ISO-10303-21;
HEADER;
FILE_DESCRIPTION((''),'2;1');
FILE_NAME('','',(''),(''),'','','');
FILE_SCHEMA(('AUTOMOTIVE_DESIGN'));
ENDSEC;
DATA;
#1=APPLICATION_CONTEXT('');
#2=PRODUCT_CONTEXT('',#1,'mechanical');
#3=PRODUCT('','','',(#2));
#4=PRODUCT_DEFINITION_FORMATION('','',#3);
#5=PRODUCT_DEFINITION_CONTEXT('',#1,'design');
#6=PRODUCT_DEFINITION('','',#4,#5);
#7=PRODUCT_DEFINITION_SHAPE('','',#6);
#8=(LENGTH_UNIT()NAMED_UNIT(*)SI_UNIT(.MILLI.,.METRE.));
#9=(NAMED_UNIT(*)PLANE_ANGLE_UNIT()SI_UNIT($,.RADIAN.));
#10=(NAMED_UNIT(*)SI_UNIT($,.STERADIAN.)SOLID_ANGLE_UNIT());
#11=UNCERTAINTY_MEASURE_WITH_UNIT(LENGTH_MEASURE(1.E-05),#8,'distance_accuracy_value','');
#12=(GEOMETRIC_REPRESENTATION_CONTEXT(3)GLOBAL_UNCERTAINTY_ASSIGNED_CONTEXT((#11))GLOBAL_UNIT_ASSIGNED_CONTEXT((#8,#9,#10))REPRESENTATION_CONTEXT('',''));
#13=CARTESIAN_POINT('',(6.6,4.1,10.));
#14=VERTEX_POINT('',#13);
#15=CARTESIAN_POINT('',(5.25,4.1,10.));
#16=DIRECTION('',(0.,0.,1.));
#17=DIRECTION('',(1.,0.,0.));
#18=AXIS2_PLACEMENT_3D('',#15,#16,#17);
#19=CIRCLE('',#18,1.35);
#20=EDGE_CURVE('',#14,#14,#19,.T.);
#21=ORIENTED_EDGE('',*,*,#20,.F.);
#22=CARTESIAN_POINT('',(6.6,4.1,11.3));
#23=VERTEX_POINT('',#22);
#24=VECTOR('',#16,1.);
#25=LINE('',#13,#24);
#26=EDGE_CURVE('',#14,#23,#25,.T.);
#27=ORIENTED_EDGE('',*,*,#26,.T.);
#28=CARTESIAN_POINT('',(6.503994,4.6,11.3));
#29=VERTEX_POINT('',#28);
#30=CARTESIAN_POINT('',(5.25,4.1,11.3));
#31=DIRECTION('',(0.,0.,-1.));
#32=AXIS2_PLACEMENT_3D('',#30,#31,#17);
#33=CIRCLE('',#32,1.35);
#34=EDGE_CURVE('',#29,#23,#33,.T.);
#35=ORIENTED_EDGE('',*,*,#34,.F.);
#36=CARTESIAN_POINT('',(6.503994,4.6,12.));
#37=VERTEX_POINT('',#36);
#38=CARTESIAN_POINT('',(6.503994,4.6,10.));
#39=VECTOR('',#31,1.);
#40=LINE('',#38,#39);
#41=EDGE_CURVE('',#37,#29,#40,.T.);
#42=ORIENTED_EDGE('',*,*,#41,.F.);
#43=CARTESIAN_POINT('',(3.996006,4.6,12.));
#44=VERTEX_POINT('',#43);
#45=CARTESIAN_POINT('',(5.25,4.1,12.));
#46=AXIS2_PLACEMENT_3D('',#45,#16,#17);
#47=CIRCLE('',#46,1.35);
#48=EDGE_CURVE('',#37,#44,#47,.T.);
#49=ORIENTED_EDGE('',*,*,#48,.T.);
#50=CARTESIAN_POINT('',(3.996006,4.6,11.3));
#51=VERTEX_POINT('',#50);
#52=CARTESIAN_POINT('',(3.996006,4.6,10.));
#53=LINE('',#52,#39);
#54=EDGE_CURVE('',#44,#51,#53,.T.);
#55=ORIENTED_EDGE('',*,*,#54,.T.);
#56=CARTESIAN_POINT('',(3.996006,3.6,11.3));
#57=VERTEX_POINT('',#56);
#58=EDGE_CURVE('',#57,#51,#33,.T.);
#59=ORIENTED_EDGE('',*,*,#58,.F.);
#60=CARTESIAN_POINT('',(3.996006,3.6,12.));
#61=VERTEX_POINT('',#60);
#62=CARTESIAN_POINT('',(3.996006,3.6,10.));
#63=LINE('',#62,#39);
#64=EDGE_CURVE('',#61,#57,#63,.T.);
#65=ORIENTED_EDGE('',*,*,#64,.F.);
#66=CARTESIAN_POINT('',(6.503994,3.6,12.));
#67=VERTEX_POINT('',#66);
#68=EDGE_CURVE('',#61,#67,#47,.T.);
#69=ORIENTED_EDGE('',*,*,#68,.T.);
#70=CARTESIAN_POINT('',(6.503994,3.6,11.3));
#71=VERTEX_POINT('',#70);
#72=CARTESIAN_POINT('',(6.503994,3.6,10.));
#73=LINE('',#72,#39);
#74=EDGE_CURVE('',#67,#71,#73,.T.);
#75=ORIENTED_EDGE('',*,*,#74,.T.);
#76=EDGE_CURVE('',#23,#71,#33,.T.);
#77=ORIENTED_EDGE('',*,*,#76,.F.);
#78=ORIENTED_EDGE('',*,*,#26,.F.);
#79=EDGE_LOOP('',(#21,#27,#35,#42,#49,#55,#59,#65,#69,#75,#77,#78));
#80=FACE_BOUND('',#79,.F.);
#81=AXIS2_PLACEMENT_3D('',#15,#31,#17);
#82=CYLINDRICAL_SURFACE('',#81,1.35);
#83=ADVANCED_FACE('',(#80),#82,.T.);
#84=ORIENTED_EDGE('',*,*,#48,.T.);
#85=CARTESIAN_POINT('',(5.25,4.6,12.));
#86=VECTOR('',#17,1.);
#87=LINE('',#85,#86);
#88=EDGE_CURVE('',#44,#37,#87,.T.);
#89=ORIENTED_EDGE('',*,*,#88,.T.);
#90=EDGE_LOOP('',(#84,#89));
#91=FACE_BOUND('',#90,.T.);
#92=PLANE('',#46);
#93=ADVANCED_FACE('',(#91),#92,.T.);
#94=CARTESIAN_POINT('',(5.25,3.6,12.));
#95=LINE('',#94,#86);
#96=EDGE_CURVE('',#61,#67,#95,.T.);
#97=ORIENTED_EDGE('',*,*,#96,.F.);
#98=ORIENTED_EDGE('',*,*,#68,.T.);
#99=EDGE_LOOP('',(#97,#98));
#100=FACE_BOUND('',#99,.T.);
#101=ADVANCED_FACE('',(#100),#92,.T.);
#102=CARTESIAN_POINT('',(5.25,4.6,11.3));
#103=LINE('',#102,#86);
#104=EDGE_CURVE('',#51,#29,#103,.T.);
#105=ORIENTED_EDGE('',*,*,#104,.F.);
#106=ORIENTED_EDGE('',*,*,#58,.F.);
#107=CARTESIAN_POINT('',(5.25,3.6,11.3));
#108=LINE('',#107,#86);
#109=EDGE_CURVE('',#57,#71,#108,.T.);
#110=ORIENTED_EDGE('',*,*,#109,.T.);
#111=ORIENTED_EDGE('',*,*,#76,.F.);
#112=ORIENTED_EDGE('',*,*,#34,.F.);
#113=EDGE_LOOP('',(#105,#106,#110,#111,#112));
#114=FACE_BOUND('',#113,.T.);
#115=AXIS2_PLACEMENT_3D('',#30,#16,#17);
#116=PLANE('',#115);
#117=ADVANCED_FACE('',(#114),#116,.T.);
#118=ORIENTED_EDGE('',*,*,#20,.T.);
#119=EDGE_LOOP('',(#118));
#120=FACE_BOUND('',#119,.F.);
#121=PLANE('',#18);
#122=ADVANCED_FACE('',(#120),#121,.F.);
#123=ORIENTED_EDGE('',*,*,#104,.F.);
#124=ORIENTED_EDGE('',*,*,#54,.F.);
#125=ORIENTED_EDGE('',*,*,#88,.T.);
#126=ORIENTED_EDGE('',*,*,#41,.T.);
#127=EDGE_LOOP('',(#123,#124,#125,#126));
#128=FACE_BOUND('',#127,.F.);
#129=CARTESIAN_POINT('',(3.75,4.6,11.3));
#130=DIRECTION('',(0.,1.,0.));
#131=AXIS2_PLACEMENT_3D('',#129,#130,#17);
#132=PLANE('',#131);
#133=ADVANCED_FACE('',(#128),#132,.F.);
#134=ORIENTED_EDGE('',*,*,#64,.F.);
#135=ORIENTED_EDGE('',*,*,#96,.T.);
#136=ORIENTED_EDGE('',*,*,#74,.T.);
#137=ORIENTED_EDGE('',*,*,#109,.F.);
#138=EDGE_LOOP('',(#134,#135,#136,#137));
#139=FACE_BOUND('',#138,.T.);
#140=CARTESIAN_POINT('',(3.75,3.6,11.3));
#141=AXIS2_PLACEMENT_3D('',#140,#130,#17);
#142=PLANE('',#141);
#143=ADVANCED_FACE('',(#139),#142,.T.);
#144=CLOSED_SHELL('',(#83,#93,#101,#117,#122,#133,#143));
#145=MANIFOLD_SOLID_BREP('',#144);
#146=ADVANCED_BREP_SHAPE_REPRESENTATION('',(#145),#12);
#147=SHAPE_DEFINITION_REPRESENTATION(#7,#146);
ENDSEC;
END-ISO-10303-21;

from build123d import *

# Parameters (mm, degrees)
BOX011_W          = 3
BOX011_H          = 1
BOX011_DEPTH      = 0.7
CYLINDER007_R     = 1.35
CYLINDER007_DEPTH = 2


with BuildPart() as cube007:
    # Box011 → Box011 (new body)
    with BuildSketch(Plane(origin=(-1.5, -0.5, 1.3), x_dir=(1, 0, 0), z_dir=(0, 0, 1))):
        with Locations((1.5, 0.5)):
            Rectangle(BOX011_W, BOX011_H)
    extrude(amount=BOX011_DEPTH)


with BuildPart() as cut011:
    # Cylinder007 → Cylinder007 (new body)
    with BuildSketch(Plane.XY):
        Circle(CYLINDER007_R)
    extrude(amount=CYLINDER007_DEPTH)

    # Cut011: cut Cube007
    add(cube007.part, mode=Mode.SUBTRACT)


with BuildPart() as cut011_1:
    # Cut011 placement: moved
    add(cut011.part.moved(Location((5.25, 4.1, 10))))


solid = cut011_1.part
